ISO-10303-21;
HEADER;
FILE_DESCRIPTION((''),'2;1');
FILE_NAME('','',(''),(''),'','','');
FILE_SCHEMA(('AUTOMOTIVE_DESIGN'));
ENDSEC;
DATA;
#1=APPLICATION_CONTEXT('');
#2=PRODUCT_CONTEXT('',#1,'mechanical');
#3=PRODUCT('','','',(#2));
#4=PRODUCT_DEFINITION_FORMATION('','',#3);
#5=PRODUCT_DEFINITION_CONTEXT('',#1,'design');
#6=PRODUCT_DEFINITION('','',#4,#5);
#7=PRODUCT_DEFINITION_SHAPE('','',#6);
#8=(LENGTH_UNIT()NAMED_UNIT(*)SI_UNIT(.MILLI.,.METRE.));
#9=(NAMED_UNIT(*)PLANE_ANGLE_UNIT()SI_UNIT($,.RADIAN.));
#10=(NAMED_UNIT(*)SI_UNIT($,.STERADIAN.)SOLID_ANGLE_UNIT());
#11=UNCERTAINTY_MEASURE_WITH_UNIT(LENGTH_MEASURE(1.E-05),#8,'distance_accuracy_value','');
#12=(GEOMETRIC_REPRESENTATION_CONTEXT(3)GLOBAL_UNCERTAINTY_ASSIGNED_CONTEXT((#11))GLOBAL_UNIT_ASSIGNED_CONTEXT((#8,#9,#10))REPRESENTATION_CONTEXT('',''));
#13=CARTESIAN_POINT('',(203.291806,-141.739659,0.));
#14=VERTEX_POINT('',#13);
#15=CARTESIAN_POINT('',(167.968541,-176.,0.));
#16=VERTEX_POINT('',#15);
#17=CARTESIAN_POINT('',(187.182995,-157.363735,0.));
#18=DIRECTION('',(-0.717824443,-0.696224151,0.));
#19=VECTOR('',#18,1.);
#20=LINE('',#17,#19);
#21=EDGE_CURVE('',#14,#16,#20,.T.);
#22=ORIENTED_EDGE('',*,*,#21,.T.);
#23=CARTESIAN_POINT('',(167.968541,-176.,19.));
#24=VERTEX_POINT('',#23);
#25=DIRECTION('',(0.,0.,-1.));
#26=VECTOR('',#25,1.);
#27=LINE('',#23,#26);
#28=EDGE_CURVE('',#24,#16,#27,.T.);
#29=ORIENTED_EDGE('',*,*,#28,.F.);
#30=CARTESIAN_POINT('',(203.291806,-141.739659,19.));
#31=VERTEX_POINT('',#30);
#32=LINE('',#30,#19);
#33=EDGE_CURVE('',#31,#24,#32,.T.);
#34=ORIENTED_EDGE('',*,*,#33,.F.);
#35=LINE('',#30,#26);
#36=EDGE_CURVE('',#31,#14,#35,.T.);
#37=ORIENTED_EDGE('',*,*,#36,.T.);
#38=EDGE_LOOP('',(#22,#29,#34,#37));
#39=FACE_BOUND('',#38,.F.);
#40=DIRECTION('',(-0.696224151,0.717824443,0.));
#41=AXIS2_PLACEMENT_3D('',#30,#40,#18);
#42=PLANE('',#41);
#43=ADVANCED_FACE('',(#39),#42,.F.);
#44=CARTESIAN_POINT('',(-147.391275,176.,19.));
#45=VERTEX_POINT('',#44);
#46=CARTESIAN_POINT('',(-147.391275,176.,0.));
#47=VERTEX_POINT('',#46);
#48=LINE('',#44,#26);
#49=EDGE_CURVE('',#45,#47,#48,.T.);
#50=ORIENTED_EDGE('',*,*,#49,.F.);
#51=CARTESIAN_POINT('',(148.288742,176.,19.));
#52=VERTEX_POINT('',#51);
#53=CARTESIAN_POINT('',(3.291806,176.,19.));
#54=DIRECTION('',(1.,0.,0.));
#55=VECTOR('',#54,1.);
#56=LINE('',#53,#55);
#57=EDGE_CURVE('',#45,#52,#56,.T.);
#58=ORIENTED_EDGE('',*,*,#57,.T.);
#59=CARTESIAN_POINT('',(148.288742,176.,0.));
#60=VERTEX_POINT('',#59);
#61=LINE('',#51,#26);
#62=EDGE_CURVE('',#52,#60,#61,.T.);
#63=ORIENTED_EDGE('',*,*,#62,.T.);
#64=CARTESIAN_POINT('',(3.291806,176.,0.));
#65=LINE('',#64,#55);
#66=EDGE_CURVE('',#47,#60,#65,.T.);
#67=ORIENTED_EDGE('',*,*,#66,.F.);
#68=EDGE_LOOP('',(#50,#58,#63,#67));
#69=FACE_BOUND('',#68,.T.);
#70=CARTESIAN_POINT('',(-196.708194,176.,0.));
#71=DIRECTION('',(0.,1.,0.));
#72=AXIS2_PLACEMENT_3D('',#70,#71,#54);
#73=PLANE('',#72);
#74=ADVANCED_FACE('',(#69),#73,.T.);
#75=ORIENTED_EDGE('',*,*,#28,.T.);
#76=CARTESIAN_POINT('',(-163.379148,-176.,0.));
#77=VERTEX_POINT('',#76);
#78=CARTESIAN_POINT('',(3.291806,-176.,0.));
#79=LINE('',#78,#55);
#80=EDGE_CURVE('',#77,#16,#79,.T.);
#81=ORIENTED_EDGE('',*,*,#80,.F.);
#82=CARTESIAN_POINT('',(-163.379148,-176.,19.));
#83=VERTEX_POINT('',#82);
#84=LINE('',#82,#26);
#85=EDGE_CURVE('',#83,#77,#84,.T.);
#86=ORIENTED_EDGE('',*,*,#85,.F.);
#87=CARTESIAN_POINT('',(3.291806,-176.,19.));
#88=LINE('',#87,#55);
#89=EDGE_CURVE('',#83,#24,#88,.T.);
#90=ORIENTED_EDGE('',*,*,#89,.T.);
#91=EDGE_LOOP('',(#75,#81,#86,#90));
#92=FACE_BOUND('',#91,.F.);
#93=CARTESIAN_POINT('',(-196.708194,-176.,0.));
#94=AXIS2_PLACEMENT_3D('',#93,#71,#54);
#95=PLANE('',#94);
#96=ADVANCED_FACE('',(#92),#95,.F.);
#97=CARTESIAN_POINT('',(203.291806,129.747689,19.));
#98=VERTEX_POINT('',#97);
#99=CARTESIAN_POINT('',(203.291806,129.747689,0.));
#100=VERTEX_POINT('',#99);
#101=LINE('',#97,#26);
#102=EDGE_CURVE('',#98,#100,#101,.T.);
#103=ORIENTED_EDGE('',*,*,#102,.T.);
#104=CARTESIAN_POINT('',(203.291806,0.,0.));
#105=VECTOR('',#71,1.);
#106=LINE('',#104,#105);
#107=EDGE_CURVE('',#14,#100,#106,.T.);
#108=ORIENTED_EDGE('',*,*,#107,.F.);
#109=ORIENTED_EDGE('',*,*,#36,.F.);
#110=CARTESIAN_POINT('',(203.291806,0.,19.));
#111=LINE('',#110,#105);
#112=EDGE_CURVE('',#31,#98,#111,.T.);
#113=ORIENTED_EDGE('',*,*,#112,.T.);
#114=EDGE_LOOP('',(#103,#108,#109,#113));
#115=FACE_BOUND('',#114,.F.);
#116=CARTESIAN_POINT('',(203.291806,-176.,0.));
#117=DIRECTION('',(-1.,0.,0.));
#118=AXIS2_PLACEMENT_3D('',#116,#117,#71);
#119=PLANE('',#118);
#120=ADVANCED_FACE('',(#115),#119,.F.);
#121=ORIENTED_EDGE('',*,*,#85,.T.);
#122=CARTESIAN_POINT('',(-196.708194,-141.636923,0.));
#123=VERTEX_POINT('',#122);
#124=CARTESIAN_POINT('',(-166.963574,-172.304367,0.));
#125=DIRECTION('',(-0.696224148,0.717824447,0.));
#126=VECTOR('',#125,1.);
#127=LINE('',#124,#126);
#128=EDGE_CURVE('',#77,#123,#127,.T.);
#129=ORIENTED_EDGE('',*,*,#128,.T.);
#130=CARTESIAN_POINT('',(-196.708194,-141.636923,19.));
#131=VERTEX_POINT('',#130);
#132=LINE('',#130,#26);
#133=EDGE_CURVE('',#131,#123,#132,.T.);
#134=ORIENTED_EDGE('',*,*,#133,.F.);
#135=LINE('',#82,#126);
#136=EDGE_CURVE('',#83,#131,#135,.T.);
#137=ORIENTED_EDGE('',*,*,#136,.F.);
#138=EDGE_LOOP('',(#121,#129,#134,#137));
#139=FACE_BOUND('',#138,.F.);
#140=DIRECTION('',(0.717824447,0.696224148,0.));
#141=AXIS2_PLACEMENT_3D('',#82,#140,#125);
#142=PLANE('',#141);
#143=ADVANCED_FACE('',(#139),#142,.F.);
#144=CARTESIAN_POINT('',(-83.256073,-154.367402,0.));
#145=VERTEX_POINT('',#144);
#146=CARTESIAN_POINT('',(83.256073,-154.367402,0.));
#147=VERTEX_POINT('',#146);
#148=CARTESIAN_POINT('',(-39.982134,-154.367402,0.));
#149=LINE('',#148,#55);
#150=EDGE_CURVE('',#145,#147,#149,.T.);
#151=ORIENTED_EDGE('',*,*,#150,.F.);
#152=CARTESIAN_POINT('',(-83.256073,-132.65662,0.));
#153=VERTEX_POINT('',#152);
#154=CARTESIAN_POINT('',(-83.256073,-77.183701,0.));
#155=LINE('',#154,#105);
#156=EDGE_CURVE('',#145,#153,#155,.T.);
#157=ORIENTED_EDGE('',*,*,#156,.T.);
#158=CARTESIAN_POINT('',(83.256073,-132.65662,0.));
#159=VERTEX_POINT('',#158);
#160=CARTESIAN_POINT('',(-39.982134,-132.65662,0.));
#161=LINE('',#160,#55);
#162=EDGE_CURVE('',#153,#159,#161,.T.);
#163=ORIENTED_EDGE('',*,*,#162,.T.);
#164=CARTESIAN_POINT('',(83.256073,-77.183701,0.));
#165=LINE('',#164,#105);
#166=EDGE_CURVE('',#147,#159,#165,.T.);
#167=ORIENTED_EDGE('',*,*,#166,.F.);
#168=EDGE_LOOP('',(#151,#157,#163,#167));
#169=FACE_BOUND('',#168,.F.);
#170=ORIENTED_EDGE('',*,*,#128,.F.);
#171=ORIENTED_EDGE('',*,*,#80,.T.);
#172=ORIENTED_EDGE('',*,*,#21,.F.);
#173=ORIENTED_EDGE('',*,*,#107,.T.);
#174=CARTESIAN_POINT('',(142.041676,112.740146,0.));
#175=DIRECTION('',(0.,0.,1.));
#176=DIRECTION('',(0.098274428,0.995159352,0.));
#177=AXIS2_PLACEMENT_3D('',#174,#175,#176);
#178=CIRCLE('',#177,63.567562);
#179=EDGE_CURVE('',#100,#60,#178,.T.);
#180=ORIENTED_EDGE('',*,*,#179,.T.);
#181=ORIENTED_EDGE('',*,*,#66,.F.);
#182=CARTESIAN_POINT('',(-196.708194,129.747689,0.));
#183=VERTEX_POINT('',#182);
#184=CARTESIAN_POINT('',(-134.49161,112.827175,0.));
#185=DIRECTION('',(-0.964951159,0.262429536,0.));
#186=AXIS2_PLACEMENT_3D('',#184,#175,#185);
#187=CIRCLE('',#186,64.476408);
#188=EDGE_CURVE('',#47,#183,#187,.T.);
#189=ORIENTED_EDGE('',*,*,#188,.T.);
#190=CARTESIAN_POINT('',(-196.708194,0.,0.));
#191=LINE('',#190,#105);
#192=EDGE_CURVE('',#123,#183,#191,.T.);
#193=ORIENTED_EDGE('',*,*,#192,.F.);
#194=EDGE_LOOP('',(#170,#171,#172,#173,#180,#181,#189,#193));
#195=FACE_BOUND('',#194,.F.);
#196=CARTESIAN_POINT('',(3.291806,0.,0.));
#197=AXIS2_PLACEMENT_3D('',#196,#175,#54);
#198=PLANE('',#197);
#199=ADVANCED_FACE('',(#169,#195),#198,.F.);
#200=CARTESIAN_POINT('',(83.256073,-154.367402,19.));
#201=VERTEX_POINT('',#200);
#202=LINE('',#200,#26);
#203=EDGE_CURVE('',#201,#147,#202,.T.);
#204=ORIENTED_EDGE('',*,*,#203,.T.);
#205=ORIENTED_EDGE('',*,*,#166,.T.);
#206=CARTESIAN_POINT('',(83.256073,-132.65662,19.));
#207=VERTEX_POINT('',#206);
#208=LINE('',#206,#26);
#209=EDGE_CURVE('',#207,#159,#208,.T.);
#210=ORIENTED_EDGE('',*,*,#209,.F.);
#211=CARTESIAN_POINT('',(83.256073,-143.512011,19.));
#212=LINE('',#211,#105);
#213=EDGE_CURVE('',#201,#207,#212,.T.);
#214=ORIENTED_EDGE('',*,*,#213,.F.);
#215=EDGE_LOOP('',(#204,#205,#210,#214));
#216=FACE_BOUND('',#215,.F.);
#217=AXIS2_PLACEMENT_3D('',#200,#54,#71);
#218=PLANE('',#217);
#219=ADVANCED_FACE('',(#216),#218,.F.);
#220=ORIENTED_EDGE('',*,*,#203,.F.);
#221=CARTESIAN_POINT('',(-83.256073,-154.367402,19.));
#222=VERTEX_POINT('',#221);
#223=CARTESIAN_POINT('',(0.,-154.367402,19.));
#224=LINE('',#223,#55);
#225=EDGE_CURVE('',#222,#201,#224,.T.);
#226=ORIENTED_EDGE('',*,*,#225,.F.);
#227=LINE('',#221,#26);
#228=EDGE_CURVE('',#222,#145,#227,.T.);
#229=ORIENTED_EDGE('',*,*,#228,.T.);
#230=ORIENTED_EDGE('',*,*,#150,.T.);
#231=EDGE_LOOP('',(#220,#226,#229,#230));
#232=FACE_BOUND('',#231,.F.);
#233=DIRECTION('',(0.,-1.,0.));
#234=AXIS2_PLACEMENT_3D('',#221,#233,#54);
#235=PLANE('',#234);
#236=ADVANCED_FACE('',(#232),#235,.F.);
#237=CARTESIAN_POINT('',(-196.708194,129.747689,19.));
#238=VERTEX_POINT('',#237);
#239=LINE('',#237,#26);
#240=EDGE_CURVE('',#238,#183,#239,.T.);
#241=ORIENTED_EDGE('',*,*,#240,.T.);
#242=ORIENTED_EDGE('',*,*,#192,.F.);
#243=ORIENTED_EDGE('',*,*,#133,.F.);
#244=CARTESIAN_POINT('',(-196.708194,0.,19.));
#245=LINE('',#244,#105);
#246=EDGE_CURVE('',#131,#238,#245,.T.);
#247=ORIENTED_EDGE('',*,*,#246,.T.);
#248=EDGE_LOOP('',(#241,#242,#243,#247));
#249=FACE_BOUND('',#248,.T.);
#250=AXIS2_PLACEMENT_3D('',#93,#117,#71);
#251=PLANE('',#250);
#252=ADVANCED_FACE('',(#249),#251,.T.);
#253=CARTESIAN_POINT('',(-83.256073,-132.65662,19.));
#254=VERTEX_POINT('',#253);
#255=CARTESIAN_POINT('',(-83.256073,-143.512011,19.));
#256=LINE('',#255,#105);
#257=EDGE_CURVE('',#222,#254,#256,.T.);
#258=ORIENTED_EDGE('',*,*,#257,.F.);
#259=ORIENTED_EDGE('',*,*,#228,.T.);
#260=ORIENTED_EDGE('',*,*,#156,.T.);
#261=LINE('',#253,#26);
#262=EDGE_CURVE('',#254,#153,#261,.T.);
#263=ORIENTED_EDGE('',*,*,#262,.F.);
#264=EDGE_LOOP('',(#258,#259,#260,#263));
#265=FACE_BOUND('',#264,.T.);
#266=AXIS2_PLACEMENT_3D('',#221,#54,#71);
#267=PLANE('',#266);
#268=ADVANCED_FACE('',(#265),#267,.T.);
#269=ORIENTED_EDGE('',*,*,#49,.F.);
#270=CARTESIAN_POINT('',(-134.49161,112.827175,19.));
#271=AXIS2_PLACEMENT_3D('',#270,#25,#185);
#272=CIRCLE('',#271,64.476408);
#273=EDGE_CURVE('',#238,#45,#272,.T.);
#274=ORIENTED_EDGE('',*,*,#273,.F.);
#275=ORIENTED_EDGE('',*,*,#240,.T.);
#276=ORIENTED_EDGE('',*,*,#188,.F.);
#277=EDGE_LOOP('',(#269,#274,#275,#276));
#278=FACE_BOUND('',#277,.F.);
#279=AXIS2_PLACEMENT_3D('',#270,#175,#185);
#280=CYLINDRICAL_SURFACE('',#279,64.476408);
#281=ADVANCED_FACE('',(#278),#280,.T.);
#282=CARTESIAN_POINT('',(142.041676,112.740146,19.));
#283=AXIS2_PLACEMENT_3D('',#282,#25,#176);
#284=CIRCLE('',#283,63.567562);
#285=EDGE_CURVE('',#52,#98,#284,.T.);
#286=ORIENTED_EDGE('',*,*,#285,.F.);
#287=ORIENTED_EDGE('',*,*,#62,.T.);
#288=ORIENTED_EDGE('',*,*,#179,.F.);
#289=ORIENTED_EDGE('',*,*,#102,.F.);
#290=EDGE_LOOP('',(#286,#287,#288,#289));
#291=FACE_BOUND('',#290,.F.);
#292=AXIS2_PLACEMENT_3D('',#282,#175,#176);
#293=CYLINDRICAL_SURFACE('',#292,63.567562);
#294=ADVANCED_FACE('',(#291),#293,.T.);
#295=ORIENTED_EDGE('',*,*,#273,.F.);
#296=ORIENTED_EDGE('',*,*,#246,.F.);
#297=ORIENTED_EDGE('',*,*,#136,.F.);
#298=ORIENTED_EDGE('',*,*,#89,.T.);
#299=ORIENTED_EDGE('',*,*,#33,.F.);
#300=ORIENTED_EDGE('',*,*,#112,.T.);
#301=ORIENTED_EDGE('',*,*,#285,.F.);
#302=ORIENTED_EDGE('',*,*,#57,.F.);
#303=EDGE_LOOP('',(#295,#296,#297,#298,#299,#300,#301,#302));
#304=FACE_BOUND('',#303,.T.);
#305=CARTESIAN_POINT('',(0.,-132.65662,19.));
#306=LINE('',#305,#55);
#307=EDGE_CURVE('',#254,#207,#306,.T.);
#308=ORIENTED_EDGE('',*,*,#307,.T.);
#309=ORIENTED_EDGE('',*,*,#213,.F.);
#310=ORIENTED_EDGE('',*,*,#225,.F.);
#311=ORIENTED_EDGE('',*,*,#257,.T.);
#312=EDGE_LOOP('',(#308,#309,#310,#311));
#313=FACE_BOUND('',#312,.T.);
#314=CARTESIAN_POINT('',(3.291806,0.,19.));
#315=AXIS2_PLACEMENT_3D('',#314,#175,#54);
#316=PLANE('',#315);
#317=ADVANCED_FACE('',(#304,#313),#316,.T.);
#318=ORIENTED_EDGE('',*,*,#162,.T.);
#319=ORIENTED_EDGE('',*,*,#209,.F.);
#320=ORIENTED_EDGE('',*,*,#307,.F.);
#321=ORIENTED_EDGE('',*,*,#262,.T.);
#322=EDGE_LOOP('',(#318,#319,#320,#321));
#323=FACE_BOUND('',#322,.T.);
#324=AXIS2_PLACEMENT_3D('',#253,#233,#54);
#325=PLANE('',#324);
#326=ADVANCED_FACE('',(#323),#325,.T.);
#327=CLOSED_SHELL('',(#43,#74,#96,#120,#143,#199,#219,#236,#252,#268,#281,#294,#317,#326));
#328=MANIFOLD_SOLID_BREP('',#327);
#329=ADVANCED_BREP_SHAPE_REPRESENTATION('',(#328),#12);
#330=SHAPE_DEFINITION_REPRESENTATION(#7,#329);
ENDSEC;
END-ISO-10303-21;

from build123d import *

# Parameters (mm, degrees)
F0_W     = 400
F0_H     = 352
F1_DEPTH = 19
F3_DEPTH = 19.001
F5_DEPTH = 19.001
F6_W     = 166.512146
F6_H     = 21.710783
F7_DEPTH = 19.001


with BuildPart() as f1:
    # F0 (on Top) → F1 (new body)
    with BuildSketch(Plane.XY):
        with Locations((3.291806, 0)):
            Rectangle(F0_W, F0_H)
    extrude(amount=F1_DEPTH)

    # F2 (on face) → F3 (cut, through all)
    with BuildSketch(Plane.XY.offset(19)):
        with BuildLine():
            ThreePointArc((-196.708194, 129.747689), (-178.598659, 159.856691), (-147.391275, 176))
            Line((-147.391275, 176), (-196.708194, 176))
            Line((-196.708194, 176), (-196.708194, 129.747689))
        make_face()
        with BuildLine():
            Line((203.291806, 176), (148.288742, 176))
            ThreePointArc((148.288742, 176), (182.953617, 161.392464), (203.291806, 129.747689))
            Line((203.291806, 129.747689), (203.291806, 176))
        make_face()
    extrude(amount=-F3_DEPTH, mode=Mode.SUBTRACT)

    # F4 (on face) → F5 (cut, through all)
    with BuildSketch(Plane.XY.offset(19)):
        Polygon((-163.379148, -176), (-196.708194, -141.636923), (-196.708194, -176), align=None)
        Polygon((203.291806, -141.739659), (167.968541, -176), (203.291806, -176), align=None)
    extrude(amount=-F5_DEPTH, mode=Mode.SUBTRACT)

    # F6 (on face) → F7 (cut, through all)
    with BuildSketch(Plane.XY.offset(19)):
        with Locations((0, -143.512011)):
            Rectangle(F6_W, F6_H)
    extrude(amount=-F7_DEPTH, mode=Mode.SUBTRACT)


solid = f1.part
